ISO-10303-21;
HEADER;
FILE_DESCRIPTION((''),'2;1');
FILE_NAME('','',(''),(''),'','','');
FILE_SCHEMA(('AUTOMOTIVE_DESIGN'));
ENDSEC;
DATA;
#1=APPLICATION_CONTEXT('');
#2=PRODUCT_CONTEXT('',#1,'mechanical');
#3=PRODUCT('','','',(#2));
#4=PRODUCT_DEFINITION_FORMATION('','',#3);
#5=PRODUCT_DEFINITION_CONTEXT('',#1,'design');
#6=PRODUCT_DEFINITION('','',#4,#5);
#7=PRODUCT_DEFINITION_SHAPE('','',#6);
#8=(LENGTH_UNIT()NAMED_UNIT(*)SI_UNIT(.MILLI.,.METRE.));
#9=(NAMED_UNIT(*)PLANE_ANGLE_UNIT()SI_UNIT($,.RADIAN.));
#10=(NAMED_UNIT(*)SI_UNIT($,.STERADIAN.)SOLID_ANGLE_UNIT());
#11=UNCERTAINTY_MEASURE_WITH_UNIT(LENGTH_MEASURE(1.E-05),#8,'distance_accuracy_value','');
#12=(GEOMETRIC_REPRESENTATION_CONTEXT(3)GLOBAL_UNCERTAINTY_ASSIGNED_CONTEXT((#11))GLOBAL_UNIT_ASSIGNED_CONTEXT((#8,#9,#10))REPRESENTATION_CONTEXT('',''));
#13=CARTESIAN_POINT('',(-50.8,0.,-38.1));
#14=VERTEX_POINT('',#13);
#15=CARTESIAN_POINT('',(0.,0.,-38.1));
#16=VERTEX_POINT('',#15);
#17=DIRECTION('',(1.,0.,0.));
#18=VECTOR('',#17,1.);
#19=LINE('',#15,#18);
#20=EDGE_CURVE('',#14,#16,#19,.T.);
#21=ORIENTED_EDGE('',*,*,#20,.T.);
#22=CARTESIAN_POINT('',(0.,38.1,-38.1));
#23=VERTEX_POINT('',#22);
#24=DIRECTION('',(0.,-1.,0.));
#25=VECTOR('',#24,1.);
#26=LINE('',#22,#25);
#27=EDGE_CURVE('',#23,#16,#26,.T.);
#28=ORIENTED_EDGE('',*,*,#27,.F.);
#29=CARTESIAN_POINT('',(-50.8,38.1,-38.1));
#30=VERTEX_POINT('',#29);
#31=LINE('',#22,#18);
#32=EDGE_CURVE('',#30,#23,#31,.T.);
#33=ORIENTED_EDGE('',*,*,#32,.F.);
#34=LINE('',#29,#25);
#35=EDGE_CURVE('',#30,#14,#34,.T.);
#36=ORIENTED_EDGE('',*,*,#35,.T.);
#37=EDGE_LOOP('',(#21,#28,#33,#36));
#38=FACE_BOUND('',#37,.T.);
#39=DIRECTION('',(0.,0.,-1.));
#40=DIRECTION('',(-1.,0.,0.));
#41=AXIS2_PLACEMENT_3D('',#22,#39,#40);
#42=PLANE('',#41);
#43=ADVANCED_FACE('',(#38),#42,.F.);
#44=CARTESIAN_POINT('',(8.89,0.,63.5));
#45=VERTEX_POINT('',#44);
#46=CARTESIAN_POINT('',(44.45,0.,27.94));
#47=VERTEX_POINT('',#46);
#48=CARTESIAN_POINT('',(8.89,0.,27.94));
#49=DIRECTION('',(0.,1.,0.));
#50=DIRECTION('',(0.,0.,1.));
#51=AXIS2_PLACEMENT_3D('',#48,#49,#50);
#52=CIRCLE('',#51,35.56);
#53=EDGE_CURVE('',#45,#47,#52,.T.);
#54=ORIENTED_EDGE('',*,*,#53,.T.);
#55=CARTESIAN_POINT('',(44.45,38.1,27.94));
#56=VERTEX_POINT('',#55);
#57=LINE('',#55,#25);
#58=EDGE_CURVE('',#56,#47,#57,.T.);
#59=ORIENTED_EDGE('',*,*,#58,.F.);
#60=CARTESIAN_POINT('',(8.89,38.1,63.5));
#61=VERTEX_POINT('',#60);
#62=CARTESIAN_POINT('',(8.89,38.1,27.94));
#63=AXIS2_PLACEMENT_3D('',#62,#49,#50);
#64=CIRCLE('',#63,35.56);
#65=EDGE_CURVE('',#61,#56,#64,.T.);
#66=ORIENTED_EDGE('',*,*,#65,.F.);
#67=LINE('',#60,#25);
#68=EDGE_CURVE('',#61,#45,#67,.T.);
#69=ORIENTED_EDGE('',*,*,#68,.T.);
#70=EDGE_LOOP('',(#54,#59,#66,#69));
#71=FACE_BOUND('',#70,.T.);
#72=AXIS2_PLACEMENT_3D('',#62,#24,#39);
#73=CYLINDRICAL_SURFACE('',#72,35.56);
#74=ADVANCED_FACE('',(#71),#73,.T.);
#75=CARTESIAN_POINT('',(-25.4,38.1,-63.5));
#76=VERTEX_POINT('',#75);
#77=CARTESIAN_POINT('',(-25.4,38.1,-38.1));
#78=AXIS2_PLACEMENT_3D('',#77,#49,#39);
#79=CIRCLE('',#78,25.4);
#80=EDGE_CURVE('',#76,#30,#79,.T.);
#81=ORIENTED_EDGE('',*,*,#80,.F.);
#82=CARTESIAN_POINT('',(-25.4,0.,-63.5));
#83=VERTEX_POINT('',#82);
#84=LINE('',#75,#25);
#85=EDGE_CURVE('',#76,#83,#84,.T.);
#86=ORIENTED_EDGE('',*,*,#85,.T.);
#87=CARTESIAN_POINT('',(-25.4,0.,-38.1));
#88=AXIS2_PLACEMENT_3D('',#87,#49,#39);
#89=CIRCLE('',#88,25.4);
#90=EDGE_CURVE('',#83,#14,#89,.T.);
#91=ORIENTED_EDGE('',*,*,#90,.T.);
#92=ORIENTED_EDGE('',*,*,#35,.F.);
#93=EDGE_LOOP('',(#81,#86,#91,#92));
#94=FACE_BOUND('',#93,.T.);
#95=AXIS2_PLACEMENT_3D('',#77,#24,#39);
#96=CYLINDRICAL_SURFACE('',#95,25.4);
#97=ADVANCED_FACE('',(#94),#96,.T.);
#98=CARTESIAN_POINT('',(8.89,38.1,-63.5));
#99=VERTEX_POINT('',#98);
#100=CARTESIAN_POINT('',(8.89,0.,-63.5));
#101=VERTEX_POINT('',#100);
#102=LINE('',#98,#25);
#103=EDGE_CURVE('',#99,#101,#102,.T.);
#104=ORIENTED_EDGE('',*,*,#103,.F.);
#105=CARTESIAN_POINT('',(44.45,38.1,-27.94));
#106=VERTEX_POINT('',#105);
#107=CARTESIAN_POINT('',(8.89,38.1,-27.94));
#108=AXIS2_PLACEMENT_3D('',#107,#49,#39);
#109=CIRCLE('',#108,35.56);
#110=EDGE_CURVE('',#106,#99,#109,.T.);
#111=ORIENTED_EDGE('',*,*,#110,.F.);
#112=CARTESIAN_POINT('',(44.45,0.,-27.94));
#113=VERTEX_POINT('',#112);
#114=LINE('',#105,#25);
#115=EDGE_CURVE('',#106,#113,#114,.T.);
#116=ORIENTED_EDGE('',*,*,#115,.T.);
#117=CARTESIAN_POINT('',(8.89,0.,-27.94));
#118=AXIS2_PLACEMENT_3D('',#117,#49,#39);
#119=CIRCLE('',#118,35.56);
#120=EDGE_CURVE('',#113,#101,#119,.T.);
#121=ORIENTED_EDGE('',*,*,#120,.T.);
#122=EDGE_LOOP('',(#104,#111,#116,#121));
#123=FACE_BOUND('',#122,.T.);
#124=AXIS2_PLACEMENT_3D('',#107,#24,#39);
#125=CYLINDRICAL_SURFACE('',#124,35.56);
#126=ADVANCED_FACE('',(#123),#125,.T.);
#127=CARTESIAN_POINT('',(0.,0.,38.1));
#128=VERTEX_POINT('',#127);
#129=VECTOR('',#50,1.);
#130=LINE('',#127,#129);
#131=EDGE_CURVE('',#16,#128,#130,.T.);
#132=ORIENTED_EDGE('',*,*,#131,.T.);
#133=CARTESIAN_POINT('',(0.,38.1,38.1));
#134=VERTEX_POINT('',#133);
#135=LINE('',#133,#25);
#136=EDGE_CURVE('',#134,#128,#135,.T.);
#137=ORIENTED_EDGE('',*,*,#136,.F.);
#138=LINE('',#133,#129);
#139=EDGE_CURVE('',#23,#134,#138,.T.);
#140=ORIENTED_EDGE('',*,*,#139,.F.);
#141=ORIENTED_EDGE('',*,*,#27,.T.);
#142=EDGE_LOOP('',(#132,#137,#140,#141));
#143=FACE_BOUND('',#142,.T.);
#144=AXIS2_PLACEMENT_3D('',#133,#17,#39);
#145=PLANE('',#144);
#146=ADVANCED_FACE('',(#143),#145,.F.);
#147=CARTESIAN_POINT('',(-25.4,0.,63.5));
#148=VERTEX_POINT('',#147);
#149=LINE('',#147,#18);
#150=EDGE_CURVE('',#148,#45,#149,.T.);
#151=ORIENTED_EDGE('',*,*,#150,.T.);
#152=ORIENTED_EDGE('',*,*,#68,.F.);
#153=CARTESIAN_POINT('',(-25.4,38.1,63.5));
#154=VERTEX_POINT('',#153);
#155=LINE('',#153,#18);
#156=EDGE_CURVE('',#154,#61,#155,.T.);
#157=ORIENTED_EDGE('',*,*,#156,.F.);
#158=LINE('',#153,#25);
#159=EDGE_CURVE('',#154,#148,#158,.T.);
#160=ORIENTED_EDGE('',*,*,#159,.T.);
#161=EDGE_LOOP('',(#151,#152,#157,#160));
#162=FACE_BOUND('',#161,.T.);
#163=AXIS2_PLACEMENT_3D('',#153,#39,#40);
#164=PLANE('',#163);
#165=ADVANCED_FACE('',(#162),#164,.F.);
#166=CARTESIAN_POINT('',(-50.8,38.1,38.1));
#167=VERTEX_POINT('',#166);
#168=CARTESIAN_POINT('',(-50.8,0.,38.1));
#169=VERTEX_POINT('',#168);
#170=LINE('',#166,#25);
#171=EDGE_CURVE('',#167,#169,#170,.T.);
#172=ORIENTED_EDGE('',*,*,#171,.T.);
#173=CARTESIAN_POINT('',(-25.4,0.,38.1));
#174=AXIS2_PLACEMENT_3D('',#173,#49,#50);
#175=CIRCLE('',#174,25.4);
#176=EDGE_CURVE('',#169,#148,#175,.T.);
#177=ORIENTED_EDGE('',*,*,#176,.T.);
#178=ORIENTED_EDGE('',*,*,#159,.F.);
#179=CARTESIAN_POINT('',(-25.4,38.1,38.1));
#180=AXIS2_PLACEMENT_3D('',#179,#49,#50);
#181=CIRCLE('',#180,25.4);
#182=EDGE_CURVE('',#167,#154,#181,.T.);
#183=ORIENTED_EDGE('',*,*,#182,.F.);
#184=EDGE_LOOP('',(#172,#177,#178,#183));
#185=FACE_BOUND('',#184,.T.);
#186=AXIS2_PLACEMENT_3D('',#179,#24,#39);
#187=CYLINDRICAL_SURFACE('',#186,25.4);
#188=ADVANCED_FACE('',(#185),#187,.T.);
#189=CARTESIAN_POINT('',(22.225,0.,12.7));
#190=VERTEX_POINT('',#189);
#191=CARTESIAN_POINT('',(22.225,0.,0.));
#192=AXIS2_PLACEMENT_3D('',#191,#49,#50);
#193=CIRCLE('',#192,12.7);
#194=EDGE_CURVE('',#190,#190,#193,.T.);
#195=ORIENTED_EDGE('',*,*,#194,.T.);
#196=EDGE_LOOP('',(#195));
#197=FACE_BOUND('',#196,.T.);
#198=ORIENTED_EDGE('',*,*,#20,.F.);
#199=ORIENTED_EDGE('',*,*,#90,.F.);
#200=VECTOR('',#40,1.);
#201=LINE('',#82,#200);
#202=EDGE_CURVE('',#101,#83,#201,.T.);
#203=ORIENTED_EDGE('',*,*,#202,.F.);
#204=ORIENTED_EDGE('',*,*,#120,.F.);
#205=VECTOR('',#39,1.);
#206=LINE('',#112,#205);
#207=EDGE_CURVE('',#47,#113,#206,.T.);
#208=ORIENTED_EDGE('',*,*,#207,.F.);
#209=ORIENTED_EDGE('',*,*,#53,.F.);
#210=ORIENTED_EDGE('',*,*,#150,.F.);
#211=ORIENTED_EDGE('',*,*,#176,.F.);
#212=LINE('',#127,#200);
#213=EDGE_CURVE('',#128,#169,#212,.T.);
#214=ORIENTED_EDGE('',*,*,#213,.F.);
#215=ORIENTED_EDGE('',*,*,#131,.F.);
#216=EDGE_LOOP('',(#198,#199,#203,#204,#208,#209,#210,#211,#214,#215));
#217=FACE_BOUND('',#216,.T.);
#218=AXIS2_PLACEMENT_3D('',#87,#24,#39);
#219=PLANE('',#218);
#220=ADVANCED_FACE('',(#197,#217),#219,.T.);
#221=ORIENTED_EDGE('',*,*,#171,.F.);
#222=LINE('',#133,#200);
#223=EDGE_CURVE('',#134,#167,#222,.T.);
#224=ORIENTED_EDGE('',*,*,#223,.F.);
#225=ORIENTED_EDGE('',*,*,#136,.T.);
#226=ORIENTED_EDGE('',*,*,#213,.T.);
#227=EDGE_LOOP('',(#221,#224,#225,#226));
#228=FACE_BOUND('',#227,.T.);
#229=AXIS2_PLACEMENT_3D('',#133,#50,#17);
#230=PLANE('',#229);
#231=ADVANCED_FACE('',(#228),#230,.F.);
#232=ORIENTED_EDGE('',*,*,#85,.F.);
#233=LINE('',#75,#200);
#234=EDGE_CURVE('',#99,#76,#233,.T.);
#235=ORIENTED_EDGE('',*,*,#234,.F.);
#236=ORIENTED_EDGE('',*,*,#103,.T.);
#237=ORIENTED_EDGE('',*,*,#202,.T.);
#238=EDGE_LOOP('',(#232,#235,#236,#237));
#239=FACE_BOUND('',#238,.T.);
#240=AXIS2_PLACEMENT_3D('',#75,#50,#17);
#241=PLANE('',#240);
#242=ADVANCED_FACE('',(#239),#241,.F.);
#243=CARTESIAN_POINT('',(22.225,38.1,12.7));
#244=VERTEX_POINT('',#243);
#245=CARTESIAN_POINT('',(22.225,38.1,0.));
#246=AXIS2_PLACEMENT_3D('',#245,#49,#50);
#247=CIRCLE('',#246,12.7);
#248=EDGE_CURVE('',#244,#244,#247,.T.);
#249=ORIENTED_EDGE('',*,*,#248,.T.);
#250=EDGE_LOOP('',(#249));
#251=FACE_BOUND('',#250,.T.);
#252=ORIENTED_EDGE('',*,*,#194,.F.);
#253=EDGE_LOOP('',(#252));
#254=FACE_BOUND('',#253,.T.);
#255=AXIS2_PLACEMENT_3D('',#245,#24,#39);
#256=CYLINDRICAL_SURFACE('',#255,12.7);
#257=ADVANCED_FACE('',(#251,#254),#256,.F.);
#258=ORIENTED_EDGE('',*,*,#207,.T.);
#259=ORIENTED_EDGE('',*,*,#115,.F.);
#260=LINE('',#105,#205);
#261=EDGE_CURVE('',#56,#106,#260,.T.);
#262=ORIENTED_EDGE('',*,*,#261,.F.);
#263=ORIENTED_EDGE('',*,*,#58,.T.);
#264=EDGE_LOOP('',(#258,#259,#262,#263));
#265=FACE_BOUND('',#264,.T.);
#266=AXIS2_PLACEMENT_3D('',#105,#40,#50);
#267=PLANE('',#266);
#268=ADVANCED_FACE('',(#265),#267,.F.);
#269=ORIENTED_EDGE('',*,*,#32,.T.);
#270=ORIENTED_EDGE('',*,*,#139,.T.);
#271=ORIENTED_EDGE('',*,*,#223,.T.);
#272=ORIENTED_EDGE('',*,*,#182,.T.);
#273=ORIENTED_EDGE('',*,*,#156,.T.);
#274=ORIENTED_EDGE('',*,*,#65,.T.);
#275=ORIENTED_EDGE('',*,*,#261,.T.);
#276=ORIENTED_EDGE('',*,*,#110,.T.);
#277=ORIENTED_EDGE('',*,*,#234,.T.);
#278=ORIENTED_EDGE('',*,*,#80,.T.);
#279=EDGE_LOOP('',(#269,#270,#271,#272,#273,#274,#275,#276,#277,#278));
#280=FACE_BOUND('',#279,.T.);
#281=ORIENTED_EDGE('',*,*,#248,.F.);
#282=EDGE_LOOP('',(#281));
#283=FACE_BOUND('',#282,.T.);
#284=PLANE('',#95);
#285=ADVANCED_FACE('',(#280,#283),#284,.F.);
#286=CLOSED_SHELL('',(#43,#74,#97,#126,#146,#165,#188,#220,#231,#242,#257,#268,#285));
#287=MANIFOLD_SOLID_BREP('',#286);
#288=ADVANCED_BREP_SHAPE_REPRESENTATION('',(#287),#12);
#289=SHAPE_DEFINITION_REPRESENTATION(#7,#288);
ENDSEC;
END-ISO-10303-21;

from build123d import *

# Parameters (mm, degrees)
SKETCH2_R           = 12.7
BOSS_EXTRUDE1_DEPTH = 38.1


with BuildPart() as part:
    # Sketch2 → Boss-Extrude1 (new body)
    with BuildSketch(Plane(origin=(0, 0, 0), x_dir=(1, 0, 0), z_dir=(0, 1, 0))):
        with BuildLine():
            Line((0, -38.1), (0, 38.1))
            Line((0, 38.1), (-50.8, 38.1))
            ThreePointArc((-50.8, 38.1), (-43.360512242, 56.060512242), (-25.4, 63.5))
            Line((-25.4, 63.5), (8.89, 63.5))
            ThreePointArc((8.89, 63.5), (34.034717139, 53.084717139), (44.45, 27.94))
            Line((44.45, 27.94), (44.45, -27.94))
            ThreePointArc((44.45, -27.94), (34.034717139, -53.084717139), (8.89, -63.5))
            Line((8.89, -63.5), (-25.4, -63.5))
            ThreePointArc((-25.4, -63.5), (-43.360512242, -56.060512242), (-50.8, -38.1))
            Line((-50.8, -38.1), (0, -38.1))
        make_face()
        with Locations((22.225, 0)):
            Circle(SKETCH2_R, mode=Mode.SUBTRACT)
    extrude(amount=BOSS_EXTRUDE1_DEPTH)


solid = part.part
